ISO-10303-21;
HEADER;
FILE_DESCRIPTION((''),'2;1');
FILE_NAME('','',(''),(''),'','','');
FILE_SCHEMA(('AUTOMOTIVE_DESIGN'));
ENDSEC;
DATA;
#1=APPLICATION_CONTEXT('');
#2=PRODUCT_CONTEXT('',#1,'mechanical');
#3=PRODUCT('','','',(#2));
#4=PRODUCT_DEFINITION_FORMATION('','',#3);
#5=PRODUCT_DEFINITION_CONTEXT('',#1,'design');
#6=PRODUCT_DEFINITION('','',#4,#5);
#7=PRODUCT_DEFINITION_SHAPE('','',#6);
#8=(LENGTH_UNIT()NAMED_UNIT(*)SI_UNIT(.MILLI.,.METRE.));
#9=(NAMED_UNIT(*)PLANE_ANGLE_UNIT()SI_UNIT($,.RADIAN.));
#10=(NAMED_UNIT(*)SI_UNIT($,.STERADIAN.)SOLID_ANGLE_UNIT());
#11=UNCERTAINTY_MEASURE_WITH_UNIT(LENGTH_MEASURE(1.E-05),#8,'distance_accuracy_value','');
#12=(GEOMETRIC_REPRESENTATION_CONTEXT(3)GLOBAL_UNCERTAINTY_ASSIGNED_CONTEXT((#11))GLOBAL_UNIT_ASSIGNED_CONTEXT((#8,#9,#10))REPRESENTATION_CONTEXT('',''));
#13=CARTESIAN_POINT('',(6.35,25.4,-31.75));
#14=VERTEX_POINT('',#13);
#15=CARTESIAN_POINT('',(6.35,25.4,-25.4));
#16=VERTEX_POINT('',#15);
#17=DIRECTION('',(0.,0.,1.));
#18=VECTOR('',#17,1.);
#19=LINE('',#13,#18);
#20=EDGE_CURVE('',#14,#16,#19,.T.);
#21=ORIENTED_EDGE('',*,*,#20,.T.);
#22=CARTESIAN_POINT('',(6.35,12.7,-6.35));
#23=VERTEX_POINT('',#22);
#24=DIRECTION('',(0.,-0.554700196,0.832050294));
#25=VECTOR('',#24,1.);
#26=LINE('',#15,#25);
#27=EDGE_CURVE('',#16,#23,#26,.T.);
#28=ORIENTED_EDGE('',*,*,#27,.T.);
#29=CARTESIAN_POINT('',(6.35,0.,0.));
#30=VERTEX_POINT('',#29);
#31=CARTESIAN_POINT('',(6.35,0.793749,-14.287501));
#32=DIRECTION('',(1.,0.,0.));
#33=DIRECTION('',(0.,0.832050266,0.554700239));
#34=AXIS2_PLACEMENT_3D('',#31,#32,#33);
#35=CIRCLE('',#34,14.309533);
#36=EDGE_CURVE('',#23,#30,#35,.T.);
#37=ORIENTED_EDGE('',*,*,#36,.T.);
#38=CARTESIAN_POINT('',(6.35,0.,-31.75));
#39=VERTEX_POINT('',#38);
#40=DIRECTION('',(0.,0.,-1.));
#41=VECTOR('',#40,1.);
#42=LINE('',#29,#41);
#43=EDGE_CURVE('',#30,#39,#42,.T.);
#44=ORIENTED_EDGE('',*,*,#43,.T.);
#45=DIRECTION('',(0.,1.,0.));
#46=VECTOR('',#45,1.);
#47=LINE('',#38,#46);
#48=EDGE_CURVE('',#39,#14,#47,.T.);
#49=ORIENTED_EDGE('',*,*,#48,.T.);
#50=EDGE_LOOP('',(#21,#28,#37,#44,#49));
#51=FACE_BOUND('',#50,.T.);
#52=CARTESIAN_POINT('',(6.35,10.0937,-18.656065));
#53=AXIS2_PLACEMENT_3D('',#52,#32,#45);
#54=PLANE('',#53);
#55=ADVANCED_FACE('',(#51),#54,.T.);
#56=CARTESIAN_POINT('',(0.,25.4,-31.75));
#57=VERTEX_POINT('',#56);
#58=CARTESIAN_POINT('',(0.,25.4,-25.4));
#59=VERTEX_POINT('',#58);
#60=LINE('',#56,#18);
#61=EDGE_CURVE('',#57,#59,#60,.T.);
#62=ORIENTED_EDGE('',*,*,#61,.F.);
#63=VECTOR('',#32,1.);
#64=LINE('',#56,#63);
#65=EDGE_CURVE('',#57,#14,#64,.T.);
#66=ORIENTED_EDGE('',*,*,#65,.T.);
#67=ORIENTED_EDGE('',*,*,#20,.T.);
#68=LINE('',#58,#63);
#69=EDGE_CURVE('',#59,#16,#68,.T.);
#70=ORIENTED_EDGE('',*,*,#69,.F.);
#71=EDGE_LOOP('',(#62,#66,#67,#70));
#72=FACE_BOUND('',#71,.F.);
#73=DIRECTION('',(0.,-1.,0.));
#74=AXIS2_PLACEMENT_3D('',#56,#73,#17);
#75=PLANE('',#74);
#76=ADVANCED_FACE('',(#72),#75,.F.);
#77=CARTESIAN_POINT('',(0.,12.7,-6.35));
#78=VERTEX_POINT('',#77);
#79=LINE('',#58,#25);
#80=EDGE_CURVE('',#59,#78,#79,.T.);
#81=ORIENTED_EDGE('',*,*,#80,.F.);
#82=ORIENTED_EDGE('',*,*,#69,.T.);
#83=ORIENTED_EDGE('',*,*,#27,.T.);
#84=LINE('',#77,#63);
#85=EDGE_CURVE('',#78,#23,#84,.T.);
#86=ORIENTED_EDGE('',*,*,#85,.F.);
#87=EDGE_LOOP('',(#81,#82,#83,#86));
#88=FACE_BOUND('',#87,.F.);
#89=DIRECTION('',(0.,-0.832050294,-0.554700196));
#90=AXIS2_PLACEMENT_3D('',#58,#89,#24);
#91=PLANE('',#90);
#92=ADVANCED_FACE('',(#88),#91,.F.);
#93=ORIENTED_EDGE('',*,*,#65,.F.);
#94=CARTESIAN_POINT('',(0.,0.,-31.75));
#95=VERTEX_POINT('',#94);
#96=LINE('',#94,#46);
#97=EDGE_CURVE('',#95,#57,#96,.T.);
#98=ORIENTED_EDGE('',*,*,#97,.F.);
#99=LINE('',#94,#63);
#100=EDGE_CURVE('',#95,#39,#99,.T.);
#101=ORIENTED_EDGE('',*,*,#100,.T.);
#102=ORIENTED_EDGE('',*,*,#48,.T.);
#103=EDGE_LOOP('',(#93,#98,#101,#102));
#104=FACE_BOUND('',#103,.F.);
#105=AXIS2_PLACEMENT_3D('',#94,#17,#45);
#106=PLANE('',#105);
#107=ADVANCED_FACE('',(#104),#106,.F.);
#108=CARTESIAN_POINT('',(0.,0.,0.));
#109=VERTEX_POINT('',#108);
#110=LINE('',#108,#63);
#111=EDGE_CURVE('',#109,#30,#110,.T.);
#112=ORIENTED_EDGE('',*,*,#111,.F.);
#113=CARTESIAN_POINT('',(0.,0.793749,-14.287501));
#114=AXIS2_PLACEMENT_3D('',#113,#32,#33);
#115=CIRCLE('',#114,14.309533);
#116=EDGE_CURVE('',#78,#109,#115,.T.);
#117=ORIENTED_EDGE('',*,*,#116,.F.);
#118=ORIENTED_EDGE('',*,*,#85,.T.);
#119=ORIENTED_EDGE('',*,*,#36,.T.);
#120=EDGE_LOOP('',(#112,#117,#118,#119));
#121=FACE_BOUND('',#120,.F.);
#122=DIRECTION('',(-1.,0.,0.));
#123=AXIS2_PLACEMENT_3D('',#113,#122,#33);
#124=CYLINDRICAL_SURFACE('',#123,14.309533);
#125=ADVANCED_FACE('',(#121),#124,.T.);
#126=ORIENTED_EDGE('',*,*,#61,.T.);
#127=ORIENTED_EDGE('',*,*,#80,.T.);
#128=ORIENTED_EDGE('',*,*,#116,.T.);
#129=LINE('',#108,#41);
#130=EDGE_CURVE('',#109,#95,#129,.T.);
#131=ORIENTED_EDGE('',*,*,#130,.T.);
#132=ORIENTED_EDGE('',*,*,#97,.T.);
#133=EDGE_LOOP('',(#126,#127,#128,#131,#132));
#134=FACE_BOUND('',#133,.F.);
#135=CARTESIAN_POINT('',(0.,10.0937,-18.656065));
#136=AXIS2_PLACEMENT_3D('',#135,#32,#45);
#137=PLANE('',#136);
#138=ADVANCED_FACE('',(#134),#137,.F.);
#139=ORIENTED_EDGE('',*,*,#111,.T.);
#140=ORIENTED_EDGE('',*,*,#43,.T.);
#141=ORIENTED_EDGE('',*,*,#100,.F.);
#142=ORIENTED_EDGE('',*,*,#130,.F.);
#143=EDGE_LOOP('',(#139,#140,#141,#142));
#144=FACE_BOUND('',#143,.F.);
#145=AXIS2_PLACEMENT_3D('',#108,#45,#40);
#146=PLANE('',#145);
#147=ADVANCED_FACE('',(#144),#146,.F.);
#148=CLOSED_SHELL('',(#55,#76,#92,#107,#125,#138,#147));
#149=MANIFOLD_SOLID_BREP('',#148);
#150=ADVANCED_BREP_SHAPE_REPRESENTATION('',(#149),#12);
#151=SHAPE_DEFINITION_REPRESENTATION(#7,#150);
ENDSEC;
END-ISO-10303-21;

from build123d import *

# Parameters (mm, degrees)
F1_DEPTH = 6.35


with BuildPart() as f1:
    # F0 (on Right) → F1 (new body)
    with BuildSketch(Plane.YZ):
        with BuildLine():
            ThreePointArc((12.7, -6.35), (7.193167, -1.488666), (0, 0))
            Line((0, 0), (0, -31.75))
            Line((0, -31.75), (25.4, -31.75))
            Line((25.4, -31.75), (25.4, -25.4))
            Line((25.4, -25.4), (12.7, -6.35))
        make_face()
    extrude(amount=F1_DEPTH)


solid = f1.part
